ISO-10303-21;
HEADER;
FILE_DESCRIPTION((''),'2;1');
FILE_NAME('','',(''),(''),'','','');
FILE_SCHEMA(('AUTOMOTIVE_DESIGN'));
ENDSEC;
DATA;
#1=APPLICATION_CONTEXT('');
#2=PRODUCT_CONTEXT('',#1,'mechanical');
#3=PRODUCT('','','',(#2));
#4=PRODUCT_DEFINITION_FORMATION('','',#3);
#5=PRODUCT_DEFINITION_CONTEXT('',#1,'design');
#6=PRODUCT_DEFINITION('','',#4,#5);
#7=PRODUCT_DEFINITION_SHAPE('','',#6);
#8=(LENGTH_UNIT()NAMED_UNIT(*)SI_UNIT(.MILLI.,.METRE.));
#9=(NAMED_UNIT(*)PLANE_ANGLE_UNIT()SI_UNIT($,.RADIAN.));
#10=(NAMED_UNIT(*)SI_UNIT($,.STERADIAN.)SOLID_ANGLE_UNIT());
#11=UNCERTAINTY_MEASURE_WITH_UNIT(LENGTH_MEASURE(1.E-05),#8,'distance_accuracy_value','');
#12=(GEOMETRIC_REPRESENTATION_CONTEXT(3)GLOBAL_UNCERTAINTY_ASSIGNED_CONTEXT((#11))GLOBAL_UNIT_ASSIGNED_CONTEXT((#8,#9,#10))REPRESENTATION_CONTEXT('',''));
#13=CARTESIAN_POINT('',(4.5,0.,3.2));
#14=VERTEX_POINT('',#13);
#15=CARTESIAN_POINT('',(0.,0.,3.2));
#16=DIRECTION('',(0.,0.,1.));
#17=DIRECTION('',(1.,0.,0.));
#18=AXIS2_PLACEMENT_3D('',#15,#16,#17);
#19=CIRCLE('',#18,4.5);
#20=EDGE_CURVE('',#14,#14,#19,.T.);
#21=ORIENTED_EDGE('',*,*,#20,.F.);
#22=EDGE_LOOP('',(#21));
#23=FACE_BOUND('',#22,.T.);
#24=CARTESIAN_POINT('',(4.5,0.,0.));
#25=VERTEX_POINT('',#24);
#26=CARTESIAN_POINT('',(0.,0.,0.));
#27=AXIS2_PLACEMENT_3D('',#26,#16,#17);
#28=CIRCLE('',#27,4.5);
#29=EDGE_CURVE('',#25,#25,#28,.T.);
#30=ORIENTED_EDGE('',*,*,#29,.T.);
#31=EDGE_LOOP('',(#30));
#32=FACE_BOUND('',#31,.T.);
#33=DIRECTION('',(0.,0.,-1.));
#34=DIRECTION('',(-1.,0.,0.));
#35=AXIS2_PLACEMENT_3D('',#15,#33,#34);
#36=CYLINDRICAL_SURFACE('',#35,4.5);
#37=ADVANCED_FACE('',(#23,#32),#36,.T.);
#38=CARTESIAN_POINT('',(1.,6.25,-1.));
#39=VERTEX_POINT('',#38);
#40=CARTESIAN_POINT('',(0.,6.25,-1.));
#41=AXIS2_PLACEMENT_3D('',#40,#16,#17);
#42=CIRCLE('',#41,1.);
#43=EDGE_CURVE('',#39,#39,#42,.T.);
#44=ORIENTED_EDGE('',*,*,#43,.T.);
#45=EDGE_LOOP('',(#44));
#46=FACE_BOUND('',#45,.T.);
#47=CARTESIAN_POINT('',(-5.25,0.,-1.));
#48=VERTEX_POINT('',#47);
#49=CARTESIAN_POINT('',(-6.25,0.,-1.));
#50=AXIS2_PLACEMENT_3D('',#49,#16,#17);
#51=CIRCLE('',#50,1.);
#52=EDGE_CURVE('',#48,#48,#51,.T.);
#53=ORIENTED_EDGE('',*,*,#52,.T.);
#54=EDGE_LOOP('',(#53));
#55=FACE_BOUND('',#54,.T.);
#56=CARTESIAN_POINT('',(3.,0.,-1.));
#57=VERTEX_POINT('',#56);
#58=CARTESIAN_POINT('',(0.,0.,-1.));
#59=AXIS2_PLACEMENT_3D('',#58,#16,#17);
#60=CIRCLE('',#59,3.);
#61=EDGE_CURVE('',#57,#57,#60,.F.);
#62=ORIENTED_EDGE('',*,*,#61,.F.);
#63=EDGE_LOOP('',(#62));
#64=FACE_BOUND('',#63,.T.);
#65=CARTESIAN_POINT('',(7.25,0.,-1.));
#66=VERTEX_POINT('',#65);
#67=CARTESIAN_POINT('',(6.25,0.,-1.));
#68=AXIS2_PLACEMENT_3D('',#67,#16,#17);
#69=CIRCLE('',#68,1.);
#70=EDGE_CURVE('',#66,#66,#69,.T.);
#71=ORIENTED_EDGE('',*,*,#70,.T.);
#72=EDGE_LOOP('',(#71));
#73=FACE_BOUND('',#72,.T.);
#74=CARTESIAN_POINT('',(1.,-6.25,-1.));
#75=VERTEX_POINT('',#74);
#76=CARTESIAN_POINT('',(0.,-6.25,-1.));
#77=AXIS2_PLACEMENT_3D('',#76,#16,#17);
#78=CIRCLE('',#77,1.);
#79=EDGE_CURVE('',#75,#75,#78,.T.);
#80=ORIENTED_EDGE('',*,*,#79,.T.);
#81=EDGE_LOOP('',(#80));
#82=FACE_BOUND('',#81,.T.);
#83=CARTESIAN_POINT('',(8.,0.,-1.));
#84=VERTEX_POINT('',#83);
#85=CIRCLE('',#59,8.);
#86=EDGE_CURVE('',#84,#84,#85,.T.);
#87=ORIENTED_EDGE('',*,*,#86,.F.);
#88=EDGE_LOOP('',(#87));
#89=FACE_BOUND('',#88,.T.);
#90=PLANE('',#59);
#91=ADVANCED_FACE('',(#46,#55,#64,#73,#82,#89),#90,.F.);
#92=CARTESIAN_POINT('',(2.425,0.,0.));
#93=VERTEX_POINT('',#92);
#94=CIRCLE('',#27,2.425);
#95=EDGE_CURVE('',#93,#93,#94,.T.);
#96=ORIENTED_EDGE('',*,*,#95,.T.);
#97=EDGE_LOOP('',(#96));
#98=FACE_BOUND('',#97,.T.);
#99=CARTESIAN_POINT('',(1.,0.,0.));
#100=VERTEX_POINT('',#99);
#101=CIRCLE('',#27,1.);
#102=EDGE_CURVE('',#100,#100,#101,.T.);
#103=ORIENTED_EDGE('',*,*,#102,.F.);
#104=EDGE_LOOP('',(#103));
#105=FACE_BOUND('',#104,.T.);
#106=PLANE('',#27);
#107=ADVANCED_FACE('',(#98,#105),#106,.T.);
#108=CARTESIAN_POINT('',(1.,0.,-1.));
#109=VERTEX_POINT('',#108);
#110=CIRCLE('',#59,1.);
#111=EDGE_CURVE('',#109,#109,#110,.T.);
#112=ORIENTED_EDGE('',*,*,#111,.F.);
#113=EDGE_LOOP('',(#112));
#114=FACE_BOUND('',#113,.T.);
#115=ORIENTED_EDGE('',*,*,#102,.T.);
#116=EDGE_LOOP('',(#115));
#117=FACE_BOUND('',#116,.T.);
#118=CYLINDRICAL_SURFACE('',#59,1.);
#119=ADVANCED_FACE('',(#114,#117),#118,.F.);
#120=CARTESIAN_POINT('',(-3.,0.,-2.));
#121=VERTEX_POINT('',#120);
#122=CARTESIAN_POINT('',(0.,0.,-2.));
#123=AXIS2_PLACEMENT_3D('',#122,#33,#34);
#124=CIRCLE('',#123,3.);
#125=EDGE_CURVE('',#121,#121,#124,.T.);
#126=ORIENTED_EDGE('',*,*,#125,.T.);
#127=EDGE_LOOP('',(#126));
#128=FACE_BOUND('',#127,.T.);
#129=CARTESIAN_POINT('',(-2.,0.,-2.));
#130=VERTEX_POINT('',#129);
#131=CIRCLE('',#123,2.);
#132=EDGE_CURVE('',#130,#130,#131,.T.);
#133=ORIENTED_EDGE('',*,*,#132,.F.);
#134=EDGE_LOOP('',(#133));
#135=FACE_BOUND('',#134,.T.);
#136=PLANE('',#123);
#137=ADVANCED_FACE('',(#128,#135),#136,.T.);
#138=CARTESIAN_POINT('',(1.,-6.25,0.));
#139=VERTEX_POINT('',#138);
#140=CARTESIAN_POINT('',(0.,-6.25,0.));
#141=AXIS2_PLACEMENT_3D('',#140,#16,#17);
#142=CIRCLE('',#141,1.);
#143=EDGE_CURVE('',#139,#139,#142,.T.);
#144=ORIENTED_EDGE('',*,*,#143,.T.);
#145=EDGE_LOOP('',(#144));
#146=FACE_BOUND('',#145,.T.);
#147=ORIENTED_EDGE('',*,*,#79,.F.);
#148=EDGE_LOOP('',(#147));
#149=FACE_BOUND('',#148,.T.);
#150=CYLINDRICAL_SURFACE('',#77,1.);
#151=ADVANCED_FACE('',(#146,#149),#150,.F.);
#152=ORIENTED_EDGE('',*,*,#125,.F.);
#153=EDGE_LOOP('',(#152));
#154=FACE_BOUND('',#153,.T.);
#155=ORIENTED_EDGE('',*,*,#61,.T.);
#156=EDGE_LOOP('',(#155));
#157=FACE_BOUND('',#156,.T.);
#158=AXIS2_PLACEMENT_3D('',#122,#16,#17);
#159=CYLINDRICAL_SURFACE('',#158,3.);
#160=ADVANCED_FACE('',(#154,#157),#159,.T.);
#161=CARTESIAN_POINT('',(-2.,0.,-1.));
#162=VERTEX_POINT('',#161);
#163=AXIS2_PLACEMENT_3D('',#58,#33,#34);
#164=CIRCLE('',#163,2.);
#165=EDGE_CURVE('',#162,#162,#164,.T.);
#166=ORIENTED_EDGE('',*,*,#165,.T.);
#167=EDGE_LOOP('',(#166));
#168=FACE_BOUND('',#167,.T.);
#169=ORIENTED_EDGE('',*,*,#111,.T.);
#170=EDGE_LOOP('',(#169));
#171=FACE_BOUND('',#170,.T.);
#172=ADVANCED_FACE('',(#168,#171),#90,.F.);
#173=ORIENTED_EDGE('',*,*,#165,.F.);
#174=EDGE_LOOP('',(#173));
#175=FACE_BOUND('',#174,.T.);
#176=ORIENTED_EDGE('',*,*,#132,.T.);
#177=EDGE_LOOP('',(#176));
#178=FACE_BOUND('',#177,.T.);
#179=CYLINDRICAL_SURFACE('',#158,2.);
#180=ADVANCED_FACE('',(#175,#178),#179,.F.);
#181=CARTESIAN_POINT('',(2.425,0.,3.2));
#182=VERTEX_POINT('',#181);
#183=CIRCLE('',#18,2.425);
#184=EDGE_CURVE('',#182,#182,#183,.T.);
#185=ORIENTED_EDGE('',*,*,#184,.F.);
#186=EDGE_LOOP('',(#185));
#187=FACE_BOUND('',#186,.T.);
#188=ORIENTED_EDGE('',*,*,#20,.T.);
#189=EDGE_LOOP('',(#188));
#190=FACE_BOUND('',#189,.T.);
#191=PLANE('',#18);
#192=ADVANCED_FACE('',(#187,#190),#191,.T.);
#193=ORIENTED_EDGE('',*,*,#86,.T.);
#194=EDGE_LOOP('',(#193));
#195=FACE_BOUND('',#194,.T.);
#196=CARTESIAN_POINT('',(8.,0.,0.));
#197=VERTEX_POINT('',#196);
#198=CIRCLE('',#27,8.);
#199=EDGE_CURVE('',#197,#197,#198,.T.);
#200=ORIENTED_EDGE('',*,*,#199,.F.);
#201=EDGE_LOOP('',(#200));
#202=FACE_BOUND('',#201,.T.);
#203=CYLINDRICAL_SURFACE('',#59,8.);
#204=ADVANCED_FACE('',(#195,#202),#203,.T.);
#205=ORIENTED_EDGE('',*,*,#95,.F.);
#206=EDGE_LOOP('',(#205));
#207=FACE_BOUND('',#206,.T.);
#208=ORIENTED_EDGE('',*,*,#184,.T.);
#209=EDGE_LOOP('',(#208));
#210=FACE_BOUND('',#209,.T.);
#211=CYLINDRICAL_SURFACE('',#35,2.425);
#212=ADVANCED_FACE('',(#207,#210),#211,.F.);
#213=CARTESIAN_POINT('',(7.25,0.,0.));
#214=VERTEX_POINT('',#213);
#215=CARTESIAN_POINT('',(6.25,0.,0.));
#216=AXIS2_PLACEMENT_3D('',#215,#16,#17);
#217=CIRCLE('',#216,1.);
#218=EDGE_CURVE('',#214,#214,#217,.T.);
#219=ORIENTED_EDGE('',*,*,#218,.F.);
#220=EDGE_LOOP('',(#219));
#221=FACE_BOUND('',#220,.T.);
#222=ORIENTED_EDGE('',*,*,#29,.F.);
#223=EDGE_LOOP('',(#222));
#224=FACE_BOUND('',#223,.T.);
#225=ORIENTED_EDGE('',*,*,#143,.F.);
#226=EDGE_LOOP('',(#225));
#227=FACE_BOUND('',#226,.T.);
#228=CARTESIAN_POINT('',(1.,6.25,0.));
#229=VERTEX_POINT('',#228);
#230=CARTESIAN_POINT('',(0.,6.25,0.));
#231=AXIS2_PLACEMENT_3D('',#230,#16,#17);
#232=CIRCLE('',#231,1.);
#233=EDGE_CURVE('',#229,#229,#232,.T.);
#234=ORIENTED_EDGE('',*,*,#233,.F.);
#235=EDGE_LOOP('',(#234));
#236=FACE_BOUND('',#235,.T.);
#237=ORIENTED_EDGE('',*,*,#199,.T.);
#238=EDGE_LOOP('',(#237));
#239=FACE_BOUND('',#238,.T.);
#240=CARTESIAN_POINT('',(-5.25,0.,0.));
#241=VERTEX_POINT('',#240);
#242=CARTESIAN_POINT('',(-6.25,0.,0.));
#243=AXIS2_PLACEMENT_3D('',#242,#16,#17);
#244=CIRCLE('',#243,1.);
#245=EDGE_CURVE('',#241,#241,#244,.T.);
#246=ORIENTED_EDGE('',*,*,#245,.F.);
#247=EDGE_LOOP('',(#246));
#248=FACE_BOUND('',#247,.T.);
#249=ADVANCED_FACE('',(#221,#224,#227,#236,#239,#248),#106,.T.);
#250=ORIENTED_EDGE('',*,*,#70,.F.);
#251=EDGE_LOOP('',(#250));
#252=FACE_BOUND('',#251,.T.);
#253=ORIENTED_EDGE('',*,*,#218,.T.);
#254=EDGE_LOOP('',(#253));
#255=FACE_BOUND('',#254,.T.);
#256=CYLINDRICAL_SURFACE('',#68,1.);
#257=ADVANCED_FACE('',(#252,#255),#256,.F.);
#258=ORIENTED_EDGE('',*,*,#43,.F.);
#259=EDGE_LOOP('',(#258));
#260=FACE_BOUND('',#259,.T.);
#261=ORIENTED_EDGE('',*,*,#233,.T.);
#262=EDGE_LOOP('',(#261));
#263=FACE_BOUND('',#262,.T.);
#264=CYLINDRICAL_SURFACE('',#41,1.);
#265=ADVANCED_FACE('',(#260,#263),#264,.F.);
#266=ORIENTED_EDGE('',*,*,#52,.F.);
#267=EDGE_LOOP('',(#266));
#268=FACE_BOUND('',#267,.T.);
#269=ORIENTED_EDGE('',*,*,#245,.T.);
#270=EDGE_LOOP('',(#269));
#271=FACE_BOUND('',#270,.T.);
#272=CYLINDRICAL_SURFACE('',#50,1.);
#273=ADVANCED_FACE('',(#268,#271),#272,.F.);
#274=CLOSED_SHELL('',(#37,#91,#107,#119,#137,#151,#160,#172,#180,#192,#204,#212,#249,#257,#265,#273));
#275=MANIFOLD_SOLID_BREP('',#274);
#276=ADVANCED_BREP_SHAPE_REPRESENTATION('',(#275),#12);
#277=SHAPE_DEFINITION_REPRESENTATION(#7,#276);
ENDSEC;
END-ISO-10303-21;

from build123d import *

# Parameters (mm, degrees)
SKETCH1_R           = 4.5
SKETCH1_R_2         = 2.425
BOSS_EXTRUDE1_DEPTH = 3.2
SKETCH1_3_R         = 8
SKETCH1_3_R_2       = 1
BOSS_EXTRUDE2_DEPTH = 1
SKETCH2_R           = 3
SKETCH2_R_2         = 2
BOSS_EXTRUDE3_DEPTH = 1


with BuildPart() as part:
    # Sketch1 → Boss-Extrude1 (new body)
    with BuildSketch(Plane.XY):
        Circle(SKETCH1_R)
        Circle(SKETCH1_R_2, mode=Mode.SUBTRACT)
    extrude(amount=BOSS_EXTRUDE1_DEPTH)

    # Sketch1<3> → Boss-Extrude2 (add)
    with BuildSketch(Plane.XY):
        Circle(SKETCH1_3_R)
        with Locations((6.25, 0)):
            Circle(SKETCH1_3_R_2, mode=Mode.SUBTRACT)
        with Locations((0, -6.25)):
            Circle(SKETCH1_3_R_2, mode=Mode.SUBTRACT)
        with Locations((-6.25, 0)):
            Circle(SKETCH1_3_R_2, mode=Mode.SUBTRACT)
        with Locations((0, 6.25)):
            Circle(SKETCH1_3_R_2, mode=Mode.SUBTRACT)
        Circle(SKETCH1_3_R_2, mode=Mode.SUBTRACT)
    extrude(amount=-BOSS_EXTRUDE2_DEPTH)

    # Sketch2 → Boss-Extrude3 (add)
    with BuildSketch(Plane(origin=(0, 0, -1), x_dir=(-1, 0, 0), z_dir=(0, 0, -1))):
        Circle(SKETCH2_R)
        Circle(SKETCH2_R_2, mode=Mode.SUBTRACT)
    extrude(amount=BOSS_EXTRUDE3_DEPTH)


solid = part.part
